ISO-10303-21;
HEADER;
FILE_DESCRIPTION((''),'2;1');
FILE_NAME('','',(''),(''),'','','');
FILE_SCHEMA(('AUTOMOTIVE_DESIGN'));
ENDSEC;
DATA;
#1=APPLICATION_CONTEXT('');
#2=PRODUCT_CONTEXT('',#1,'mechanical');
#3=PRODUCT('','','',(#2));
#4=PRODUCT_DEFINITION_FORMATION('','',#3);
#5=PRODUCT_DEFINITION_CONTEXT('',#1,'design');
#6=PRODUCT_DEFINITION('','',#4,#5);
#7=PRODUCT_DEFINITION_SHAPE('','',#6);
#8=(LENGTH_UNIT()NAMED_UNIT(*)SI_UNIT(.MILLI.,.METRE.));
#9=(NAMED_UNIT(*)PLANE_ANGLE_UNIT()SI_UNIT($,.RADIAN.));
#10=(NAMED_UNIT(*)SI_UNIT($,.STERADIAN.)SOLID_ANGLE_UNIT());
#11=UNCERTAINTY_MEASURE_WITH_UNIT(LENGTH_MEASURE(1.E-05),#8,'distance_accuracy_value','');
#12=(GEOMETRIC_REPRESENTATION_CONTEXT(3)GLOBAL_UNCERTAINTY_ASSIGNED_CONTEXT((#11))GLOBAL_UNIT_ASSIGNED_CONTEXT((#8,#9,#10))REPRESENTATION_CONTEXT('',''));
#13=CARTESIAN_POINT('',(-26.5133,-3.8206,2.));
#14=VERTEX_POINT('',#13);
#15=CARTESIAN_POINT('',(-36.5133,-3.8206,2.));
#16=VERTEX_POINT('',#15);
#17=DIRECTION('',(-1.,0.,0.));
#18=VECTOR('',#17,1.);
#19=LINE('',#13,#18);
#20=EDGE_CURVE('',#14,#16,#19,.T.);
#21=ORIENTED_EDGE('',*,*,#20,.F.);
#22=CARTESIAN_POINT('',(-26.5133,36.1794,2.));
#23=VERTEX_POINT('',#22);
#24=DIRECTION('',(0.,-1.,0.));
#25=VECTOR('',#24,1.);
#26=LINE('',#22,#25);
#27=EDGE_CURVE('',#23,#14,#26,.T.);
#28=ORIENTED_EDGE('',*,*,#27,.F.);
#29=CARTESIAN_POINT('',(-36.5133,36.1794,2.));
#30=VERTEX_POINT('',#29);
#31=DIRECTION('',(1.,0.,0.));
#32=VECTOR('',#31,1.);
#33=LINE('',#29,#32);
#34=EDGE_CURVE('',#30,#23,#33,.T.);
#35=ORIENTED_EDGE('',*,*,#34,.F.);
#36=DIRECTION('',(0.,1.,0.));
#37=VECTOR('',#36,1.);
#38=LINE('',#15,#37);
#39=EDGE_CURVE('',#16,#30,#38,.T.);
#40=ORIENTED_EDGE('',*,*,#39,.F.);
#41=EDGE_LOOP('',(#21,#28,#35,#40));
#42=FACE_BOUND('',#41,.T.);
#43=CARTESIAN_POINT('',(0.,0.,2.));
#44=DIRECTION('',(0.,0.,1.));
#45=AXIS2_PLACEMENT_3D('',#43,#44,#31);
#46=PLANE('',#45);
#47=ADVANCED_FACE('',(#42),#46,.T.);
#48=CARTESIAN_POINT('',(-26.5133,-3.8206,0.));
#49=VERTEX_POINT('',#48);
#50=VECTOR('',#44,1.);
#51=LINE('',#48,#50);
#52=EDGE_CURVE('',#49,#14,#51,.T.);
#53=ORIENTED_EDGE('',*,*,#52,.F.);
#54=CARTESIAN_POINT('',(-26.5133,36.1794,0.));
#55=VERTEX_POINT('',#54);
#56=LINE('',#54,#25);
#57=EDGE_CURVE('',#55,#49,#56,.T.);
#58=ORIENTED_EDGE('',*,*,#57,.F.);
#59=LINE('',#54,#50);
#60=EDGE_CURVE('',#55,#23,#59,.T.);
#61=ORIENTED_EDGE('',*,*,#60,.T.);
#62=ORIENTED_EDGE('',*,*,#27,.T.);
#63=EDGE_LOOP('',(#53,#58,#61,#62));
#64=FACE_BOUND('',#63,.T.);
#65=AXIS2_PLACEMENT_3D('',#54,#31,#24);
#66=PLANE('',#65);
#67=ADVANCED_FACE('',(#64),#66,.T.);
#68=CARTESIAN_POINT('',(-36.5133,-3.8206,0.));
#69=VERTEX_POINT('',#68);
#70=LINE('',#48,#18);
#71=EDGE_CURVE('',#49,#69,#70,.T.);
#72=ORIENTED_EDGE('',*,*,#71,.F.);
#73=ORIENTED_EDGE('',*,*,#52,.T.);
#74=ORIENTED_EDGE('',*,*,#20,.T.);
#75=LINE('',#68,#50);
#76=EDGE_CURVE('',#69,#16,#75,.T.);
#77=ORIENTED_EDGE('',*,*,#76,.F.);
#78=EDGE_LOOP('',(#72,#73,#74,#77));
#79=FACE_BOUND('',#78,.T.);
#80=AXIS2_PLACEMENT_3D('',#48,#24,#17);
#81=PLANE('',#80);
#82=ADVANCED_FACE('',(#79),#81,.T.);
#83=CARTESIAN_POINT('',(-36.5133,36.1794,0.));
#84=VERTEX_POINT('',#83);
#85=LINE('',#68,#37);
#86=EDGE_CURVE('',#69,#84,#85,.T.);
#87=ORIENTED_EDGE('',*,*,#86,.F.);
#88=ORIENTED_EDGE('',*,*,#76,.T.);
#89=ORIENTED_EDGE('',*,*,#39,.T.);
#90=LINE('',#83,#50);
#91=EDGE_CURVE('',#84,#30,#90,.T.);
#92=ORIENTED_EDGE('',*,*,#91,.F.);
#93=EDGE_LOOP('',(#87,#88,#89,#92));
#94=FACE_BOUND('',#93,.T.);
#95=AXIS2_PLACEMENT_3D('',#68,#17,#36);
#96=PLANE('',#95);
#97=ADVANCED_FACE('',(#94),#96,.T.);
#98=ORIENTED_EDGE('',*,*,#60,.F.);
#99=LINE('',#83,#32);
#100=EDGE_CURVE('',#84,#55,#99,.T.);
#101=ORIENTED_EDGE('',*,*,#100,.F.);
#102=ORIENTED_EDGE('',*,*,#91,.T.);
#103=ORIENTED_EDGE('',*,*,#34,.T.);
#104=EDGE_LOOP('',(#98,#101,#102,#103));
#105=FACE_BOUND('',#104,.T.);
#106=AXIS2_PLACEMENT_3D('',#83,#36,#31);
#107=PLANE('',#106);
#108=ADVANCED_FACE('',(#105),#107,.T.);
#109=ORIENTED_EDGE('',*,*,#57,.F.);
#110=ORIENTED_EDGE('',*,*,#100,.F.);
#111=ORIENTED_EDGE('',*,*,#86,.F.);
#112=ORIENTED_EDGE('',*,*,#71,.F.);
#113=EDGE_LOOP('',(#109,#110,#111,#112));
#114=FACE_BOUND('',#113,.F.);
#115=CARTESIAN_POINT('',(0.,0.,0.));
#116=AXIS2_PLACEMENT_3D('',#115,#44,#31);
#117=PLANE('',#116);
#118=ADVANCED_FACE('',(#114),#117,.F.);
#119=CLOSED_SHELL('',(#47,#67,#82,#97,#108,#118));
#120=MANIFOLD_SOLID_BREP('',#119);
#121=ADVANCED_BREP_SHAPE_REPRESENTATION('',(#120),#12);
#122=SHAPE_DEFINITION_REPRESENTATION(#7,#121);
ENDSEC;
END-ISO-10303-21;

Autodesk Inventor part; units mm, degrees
ref_plane "YZ Plane" through (0, 0, 0) normal (1, 0, 0) x (0, 1, 0)
ref_plane "XZ Plane" through (0, 0, 0) normal (0, 1, 0) x (-1, 0, 0)
ref_plane "XY Plane" through (0, 0, 0) normal (0, 0, 1) x (1, 0, 0)
sketch "Skizze1" plane through (0, 0, 0) normal (0, 0, 1) x (1, 0, 0)
  line L0 (-36.5133, 36.1794) -> (-26.5133, 36.1794)
  line L1 (-26.5133, 36.1794) -> (-26.5133, -3.8206)
  line L2 (-26.5133, -3.8206) -> (-36.5133, -3.8206)
  line L3 (-36.5133, -3.8206) -> (-36.5133, 36.1794)
  point P0 (0, 0)
  dimension "d0" = 10
  dimension "d1" = 40
extrude "Extrusion1" add sketch "Skizze1" along normal blind 2
properties part number "InventorOnlyInvisibleSchanierl"
